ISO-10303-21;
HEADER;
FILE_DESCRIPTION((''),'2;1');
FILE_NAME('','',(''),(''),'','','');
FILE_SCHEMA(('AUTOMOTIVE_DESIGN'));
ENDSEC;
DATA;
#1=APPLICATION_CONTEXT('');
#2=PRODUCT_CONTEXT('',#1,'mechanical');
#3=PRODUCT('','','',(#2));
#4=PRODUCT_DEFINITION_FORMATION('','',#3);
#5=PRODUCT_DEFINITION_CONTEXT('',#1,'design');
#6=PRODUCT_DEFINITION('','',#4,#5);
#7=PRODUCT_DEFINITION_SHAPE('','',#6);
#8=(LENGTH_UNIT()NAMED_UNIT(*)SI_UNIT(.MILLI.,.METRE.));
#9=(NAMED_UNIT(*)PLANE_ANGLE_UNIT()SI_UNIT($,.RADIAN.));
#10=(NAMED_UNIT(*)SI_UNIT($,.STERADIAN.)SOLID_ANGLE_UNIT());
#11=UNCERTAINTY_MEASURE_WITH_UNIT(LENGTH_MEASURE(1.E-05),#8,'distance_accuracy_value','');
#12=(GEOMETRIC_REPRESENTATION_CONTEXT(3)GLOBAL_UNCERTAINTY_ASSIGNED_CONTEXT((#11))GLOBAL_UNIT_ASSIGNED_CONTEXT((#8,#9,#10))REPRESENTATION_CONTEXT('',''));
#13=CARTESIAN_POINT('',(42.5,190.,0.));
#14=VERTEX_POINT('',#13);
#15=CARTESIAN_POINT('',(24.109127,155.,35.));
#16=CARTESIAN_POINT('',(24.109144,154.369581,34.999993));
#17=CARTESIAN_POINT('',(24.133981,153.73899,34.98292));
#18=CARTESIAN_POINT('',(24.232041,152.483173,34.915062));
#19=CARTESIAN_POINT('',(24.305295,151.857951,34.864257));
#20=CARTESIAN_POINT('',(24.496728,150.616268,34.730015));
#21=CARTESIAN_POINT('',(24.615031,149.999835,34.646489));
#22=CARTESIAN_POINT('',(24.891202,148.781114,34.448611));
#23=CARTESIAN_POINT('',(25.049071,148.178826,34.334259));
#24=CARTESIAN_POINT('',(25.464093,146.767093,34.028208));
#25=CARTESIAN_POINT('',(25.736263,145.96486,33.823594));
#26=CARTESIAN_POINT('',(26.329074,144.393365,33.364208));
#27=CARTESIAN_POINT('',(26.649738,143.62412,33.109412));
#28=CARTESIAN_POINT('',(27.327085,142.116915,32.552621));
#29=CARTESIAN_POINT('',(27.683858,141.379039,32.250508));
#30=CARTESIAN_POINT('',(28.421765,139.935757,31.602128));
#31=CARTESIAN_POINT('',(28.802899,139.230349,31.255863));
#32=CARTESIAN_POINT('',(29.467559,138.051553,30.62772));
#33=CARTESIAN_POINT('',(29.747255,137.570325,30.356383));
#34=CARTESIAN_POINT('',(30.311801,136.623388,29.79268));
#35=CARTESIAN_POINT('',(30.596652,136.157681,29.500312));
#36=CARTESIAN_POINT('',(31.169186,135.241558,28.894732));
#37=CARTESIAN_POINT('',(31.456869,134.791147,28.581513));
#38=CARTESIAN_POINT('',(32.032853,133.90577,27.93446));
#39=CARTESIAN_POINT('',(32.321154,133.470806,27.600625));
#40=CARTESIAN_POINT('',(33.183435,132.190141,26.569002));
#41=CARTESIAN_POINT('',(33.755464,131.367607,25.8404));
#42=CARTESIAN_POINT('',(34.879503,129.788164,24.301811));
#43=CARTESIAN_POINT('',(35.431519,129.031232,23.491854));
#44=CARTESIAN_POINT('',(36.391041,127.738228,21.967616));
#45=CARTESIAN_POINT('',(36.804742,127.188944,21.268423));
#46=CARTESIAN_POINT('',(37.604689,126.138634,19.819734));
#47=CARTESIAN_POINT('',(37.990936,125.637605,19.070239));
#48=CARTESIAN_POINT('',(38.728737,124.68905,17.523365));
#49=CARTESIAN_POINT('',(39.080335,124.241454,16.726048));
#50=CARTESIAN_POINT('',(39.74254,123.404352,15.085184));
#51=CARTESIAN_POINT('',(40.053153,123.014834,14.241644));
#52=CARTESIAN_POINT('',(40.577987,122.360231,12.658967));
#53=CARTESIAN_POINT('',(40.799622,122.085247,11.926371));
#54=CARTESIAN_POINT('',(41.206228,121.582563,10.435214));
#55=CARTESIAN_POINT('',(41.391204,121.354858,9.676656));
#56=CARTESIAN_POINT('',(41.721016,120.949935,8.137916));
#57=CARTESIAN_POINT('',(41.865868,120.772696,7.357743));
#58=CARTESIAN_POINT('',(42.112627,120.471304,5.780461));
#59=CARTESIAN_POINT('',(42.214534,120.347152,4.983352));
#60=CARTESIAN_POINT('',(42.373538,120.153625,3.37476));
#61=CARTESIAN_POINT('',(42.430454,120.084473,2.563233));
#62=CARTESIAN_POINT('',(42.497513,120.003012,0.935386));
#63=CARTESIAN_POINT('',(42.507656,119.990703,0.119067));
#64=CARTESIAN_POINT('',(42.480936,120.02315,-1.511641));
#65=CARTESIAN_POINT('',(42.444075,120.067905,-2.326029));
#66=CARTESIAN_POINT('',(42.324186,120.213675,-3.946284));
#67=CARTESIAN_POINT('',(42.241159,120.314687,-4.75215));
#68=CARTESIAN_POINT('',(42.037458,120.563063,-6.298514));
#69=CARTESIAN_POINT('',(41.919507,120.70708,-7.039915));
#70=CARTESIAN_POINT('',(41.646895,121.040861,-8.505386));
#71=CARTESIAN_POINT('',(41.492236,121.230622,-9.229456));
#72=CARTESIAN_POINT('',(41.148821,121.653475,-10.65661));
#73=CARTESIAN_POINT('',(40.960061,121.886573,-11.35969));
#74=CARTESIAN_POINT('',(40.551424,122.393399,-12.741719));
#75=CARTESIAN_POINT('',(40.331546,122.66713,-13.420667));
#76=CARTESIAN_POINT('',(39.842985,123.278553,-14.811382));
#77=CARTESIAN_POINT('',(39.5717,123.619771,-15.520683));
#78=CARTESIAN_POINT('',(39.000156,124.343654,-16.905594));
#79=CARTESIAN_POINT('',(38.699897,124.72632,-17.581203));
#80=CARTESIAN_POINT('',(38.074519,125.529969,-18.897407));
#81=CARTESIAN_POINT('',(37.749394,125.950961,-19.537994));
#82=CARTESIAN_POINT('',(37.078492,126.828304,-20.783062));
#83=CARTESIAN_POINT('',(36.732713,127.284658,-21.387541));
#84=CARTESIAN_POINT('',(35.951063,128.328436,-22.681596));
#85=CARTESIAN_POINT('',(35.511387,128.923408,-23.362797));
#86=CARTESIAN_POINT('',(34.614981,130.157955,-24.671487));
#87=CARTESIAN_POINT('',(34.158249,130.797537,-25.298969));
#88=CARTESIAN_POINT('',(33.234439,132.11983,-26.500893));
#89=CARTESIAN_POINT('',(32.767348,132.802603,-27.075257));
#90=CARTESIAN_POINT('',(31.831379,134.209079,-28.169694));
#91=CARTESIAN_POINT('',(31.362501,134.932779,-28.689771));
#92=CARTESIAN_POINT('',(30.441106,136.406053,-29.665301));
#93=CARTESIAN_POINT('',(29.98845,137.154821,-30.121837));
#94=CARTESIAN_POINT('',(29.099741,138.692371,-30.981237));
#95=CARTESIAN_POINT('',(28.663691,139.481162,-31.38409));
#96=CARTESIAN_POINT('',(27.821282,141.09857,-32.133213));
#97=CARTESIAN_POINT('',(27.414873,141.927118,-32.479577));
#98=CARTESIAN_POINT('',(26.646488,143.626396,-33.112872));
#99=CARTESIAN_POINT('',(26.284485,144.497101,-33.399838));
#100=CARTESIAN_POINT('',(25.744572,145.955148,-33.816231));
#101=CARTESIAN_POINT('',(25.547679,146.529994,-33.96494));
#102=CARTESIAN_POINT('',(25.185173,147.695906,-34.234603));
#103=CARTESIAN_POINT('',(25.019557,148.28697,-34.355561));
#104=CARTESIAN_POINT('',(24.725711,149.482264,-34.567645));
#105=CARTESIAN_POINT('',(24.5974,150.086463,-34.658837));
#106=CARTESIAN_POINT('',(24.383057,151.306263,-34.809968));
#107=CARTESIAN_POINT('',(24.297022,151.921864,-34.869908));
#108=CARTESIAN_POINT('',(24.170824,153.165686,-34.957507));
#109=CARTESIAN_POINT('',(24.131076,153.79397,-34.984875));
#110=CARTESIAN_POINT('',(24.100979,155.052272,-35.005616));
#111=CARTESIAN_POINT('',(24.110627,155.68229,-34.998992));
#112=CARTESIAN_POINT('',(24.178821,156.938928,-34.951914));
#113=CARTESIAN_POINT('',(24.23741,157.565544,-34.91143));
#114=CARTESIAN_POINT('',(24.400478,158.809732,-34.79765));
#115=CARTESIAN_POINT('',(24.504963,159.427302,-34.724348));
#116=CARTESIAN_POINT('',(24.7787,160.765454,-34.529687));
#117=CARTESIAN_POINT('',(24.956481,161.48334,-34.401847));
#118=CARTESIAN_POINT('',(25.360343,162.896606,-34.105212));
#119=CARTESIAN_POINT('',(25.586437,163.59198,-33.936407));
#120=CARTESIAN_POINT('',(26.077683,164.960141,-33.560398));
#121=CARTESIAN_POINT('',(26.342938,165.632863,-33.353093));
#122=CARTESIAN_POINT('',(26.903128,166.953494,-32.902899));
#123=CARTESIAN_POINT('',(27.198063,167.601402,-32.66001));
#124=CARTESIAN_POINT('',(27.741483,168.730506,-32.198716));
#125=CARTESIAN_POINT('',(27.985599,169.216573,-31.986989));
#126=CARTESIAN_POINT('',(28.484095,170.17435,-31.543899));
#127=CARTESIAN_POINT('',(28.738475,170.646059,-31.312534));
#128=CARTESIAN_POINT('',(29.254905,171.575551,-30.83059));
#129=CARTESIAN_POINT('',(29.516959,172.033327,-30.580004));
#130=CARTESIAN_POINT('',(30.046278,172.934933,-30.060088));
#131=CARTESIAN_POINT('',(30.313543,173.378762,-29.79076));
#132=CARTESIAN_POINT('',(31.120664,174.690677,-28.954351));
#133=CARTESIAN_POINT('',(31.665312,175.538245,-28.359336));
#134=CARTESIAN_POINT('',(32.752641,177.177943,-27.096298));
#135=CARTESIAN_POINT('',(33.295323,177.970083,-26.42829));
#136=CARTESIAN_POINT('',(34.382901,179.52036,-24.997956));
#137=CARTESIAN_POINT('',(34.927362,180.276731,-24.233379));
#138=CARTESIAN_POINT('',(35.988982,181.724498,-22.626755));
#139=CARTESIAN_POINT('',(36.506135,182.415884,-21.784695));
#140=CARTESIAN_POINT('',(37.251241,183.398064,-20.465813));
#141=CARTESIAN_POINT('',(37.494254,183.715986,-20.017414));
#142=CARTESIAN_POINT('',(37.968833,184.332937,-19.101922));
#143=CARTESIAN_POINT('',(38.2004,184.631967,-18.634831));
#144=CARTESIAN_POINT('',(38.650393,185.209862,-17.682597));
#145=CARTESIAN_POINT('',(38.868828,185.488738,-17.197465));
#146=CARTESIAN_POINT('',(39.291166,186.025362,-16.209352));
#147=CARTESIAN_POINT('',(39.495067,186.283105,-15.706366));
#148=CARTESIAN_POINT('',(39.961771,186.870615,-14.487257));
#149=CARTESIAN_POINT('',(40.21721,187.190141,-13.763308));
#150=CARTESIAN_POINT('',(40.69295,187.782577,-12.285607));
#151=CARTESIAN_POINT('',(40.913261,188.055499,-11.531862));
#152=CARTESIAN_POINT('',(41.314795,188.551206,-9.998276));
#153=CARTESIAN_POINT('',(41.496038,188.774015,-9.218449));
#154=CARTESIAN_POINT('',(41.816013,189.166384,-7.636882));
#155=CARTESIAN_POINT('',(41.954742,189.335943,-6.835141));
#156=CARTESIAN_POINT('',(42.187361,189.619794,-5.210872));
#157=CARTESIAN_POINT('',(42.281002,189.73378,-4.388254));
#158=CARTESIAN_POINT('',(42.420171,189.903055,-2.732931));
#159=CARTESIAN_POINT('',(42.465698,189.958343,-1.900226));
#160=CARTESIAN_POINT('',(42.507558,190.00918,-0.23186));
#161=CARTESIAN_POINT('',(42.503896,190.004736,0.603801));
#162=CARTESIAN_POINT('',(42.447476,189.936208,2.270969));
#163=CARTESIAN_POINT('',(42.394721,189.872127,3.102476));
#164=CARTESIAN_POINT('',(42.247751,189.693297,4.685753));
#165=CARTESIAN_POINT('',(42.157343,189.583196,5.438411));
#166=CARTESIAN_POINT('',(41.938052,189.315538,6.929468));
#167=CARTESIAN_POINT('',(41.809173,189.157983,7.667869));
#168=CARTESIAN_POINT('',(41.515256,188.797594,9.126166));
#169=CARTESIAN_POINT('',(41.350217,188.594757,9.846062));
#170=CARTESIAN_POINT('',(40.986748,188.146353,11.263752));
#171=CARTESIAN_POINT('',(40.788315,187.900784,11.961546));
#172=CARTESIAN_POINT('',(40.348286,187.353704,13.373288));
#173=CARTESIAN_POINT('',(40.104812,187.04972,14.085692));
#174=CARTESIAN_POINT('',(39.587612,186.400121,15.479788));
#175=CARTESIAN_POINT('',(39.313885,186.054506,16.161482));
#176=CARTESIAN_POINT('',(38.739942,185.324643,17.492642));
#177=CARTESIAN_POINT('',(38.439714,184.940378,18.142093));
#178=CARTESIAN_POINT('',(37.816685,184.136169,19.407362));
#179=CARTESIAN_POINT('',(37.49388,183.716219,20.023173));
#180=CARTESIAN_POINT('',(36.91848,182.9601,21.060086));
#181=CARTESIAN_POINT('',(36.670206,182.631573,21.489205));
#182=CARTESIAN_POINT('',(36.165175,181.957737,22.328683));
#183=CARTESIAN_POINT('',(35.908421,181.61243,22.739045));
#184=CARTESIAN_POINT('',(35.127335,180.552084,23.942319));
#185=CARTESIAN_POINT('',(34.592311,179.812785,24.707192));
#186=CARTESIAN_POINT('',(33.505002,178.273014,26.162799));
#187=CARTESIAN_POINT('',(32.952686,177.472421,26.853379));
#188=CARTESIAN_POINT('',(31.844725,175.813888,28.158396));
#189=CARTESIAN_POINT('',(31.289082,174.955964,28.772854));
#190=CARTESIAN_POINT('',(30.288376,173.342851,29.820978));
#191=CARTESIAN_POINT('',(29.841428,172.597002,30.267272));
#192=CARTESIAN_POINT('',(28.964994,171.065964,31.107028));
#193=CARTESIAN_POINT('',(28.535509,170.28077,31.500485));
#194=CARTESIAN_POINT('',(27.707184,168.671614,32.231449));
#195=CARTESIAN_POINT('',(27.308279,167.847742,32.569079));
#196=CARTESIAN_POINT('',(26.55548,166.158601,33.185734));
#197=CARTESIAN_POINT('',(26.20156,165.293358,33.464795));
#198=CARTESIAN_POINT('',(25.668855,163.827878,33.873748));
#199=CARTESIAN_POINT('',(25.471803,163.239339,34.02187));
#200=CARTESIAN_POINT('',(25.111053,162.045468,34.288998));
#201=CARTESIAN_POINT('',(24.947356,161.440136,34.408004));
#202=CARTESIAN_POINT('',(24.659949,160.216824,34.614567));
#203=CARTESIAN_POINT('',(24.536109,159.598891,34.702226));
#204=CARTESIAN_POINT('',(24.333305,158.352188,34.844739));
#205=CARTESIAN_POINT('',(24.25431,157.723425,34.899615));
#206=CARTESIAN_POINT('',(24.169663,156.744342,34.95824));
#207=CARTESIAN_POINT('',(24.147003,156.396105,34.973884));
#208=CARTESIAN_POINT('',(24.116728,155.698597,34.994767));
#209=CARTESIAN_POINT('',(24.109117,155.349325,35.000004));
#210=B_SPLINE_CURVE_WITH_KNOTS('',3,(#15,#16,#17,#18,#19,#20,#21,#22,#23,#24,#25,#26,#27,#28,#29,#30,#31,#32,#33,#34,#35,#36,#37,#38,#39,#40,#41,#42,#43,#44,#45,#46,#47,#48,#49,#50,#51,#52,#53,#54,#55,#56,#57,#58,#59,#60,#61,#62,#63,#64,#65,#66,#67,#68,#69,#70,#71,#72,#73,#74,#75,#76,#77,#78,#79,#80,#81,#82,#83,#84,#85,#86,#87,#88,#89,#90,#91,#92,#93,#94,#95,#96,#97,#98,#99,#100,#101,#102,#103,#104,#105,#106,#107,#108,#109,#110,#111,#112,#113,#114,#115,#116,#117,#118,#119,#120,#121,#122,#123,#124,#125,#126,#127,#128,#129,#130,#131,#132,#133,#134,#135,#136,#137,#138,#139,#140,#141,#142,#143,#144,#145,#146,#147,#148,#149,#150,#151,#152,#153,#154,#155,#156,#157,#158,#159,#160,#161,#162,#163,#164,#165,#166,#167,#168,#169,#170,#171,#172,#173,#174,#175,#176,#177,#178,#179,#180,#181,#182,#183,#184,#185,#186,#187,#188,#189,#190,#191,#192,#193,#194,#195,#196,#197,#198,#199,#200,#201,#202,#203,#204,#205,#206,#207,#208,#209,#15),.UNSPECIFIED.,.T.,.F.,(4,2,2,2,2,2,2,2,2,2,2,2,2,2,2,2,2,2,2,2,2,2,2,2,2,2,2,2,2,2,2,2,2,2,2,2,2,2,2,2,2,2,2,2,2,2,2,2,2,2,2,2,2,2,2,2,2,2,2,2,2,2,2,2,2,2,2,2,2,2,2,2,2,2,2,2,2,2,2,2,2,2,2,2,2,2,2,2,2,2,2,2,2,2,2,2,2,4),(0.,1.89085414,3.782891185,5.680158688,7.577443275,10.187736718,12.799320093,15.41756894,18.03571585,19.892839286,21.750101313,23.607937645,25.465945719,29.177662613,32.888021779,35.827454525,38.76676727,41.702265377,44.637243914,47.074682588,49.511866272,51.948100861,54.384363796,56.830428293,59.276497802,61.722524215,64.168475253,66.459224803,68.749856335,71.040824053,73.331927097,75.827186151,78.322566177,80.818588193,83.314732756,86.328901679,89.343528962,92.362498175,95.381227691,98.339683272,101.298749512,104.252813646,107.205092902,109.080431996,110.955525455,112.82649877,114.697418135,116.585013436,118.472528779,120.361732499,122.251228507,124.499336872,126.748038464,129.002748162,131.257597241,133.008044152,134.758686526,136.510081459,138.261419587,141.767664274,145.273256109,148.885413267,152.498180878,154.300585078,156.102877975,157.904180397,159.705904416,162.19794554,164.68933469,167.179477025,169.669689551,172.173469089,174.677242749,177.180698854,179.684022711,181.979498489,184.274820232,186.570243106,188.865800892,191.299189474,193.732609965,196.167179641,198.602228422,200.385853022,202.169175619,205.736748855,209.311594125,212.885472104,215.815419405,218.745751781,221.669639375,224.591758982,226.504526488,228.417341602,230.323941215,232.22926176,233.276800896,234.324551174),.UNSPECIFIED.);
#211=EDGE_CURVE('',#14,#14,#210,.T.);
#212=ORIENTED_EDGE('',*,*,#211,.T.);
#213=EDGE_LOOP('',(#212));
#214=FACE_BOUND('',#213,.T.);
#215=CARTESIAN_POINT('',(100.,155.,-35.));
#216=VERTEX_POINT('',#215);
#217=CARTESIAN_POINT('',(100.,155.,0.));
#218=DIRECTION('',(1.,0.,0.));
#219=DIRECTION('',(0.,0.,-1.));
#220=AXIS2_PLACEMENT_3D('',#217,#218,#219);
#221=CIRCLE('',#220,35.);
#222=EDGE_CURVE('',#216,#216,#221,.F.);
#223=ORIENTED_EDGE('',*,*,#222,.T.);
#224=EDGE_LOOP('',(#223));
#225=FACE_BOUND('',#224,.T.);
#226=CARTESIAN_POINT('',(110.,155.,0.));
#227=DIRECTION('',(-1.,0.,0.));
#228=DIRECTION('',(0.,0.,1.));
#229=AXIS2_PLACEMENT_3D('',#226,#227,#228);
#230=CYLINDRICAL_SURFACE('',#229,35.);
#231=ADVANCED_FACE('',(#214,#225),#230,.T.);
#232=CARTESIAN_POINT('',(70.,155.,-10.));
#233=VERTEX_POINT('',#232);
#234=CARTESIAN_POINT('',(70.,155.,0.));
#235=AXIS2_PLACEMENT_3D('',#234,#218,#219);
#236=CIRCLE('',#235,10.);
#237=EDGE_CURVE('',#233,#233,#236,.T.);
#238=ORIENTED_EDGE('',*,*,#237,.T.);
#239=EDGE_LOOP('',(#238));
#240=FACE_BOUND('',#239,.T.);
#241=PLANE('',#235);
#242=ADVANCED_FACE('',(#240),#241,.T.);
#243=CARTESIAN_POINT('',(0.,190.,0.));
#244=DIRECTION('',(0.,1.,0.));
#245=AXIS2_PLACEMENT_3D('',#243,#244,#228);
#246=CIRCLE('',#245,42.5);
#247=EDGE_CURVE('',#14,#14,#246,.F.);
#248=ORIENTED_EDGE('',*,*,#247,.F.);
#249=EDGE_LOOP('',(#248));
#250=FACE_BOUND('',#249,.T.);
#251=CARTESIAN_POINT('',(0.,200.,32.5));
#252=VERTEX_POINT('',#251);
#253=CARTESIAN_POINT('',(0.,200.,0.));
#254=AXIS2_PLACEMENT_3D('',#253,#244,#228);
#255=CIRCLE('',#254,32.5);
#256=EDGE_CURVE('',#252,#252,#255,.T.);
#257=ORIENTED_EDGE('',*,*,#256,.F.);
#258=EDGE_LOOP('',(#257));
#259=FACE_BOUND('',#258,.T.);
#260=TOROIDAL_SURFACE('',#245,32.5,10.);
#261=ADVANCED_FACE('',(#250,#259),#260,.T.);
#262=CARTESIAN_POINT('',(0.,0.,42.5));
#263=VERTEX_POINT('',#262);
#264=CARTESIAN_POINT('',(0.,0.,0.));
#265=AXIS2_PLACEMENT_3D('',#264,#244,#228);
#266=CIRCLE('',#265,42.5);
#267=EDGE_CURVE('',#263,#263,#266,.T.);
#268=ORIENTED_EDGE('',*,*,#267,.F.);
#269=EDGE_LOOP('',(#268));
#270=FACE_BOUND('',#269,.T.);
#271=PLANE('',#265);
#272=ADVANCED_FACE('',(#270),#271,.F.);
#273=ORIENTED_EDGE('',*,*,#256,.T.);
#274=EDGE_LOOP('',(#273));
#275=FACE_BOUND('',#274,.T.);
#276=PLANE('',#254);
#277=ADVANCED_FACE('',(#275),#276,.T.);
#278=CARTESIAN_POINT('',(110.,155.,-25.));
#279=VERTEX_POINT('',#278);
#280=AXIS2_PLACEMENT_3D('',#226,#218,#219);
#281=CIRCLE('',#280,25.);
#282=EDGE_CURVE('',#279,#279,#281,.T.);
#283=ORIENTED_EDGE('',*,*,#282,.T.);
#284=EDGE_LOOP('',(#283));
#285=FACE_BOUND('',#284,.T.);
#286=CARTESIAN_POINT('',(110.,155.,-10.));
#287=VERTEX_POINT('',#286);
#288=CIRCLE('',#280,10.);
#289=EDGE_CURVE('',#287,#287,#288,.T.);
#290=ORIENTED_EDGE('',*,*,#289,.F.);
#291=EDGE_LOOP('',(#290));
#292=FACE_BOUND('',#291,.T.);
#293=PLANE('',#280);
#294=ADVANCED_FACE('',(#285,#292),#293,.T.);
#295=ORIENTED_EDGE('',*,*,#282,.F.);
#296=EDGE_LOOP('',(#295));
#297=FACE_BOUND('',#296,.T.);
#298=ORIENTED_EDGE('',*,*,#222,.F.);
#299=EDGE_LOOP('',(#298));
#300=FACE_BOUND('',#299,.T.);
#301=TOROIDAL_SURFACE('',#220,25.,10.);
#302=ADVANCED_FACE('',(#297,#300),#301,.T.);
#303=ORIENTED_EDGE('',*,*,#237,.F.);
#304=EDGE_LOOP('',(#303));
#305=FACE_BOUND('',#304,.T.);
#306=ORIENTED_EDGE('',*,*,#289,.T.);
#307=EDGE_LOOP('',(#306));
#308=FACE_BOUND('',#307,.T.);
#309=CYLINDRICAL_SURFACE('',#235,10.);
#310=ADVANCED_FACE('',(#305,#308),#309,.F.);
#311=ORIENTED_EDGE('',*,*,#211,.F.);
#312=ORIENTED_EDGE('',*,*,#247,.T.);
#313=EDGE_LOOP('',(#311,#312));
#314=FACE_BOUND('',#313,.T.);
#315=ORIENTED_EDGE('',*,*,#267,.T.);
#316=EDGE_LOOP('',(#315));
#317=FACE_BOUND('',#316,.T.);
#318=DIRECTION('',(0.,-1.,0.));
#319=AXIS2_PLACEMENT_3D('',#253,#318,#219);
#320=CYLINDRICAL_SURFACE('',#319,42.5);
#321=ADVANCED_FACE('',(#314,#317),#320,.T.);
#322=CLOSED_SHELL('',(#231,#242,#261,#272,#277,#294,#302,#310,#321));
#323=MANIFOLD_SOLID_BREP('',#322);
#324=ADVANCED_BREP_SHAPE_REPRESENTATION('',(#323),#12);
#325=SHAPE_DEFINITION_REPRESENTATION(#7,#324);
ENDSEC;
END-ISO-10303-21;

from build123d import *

# Parameters (mm, degrees)
SKETCH1_R           = 42.5
BOSS_EXTRUDE1_DEPTH = 200
SKETCH2_R           = 35
BOSS_EXTRUDE2_DEPTH = 110
FILLET1_R           = 10
SKETCH3_R           = 10
CUT_EXTRUDE1_DEPTH  = 40
FILLET2_R           = 10


with BuildPart() as part:
    # Sketch1 → Boss-Extrude1 (new body)
    with BuildSketch(Plane(origin=(0, 0, 0), x_dir=(1, 0, 0), z_dir=(0, 1, 0))):
        Circle(SKETCH1_R)
    extrude(amount=BOSS_EXTRUDE1_DEPTH)

    # Sketch2 → Boss-Extrude2 (add)
    with BuildSketch(Plane(origin=(0, 0, 0), x_dir=(0, 0, -1), z_dir=(1, 0, 0))):
        with Locations((0, 155)):
            Circle(SKETCH2_R)
    extrude(amount=BOSS_EXTRUDE2_DEPTH)

    # Fillet1
    fillet1_edges = [part.edges().sort_by_distance(p)[0] for p in [
        (-42.5, 200, 0),
    ]]
    fillet(fillet1_edges, radius=FILLET1_R)

    # Sketch3 → Cut-Extrude1 (cut)
    with BuildSketch(Plane(origin=(110, 0, 0), x_dir=(0, 0, -1), z_dir=(1, 0, 0))):
        with Locations((0, 155)):
            Circle(SKETCH3_R)
    extrude(amount=-CUT_EXTRUDE1_DEPTH, mode=Mode.SUBTRACT)

    # Fillet2
    fillet2_edges = [part.edges().sort_by_distance(p)[0] for p in [
        (110, 155, 35),
    ]]
    fillet(fillet2_edges, radius=FILLET2_R)


solid = part.part
